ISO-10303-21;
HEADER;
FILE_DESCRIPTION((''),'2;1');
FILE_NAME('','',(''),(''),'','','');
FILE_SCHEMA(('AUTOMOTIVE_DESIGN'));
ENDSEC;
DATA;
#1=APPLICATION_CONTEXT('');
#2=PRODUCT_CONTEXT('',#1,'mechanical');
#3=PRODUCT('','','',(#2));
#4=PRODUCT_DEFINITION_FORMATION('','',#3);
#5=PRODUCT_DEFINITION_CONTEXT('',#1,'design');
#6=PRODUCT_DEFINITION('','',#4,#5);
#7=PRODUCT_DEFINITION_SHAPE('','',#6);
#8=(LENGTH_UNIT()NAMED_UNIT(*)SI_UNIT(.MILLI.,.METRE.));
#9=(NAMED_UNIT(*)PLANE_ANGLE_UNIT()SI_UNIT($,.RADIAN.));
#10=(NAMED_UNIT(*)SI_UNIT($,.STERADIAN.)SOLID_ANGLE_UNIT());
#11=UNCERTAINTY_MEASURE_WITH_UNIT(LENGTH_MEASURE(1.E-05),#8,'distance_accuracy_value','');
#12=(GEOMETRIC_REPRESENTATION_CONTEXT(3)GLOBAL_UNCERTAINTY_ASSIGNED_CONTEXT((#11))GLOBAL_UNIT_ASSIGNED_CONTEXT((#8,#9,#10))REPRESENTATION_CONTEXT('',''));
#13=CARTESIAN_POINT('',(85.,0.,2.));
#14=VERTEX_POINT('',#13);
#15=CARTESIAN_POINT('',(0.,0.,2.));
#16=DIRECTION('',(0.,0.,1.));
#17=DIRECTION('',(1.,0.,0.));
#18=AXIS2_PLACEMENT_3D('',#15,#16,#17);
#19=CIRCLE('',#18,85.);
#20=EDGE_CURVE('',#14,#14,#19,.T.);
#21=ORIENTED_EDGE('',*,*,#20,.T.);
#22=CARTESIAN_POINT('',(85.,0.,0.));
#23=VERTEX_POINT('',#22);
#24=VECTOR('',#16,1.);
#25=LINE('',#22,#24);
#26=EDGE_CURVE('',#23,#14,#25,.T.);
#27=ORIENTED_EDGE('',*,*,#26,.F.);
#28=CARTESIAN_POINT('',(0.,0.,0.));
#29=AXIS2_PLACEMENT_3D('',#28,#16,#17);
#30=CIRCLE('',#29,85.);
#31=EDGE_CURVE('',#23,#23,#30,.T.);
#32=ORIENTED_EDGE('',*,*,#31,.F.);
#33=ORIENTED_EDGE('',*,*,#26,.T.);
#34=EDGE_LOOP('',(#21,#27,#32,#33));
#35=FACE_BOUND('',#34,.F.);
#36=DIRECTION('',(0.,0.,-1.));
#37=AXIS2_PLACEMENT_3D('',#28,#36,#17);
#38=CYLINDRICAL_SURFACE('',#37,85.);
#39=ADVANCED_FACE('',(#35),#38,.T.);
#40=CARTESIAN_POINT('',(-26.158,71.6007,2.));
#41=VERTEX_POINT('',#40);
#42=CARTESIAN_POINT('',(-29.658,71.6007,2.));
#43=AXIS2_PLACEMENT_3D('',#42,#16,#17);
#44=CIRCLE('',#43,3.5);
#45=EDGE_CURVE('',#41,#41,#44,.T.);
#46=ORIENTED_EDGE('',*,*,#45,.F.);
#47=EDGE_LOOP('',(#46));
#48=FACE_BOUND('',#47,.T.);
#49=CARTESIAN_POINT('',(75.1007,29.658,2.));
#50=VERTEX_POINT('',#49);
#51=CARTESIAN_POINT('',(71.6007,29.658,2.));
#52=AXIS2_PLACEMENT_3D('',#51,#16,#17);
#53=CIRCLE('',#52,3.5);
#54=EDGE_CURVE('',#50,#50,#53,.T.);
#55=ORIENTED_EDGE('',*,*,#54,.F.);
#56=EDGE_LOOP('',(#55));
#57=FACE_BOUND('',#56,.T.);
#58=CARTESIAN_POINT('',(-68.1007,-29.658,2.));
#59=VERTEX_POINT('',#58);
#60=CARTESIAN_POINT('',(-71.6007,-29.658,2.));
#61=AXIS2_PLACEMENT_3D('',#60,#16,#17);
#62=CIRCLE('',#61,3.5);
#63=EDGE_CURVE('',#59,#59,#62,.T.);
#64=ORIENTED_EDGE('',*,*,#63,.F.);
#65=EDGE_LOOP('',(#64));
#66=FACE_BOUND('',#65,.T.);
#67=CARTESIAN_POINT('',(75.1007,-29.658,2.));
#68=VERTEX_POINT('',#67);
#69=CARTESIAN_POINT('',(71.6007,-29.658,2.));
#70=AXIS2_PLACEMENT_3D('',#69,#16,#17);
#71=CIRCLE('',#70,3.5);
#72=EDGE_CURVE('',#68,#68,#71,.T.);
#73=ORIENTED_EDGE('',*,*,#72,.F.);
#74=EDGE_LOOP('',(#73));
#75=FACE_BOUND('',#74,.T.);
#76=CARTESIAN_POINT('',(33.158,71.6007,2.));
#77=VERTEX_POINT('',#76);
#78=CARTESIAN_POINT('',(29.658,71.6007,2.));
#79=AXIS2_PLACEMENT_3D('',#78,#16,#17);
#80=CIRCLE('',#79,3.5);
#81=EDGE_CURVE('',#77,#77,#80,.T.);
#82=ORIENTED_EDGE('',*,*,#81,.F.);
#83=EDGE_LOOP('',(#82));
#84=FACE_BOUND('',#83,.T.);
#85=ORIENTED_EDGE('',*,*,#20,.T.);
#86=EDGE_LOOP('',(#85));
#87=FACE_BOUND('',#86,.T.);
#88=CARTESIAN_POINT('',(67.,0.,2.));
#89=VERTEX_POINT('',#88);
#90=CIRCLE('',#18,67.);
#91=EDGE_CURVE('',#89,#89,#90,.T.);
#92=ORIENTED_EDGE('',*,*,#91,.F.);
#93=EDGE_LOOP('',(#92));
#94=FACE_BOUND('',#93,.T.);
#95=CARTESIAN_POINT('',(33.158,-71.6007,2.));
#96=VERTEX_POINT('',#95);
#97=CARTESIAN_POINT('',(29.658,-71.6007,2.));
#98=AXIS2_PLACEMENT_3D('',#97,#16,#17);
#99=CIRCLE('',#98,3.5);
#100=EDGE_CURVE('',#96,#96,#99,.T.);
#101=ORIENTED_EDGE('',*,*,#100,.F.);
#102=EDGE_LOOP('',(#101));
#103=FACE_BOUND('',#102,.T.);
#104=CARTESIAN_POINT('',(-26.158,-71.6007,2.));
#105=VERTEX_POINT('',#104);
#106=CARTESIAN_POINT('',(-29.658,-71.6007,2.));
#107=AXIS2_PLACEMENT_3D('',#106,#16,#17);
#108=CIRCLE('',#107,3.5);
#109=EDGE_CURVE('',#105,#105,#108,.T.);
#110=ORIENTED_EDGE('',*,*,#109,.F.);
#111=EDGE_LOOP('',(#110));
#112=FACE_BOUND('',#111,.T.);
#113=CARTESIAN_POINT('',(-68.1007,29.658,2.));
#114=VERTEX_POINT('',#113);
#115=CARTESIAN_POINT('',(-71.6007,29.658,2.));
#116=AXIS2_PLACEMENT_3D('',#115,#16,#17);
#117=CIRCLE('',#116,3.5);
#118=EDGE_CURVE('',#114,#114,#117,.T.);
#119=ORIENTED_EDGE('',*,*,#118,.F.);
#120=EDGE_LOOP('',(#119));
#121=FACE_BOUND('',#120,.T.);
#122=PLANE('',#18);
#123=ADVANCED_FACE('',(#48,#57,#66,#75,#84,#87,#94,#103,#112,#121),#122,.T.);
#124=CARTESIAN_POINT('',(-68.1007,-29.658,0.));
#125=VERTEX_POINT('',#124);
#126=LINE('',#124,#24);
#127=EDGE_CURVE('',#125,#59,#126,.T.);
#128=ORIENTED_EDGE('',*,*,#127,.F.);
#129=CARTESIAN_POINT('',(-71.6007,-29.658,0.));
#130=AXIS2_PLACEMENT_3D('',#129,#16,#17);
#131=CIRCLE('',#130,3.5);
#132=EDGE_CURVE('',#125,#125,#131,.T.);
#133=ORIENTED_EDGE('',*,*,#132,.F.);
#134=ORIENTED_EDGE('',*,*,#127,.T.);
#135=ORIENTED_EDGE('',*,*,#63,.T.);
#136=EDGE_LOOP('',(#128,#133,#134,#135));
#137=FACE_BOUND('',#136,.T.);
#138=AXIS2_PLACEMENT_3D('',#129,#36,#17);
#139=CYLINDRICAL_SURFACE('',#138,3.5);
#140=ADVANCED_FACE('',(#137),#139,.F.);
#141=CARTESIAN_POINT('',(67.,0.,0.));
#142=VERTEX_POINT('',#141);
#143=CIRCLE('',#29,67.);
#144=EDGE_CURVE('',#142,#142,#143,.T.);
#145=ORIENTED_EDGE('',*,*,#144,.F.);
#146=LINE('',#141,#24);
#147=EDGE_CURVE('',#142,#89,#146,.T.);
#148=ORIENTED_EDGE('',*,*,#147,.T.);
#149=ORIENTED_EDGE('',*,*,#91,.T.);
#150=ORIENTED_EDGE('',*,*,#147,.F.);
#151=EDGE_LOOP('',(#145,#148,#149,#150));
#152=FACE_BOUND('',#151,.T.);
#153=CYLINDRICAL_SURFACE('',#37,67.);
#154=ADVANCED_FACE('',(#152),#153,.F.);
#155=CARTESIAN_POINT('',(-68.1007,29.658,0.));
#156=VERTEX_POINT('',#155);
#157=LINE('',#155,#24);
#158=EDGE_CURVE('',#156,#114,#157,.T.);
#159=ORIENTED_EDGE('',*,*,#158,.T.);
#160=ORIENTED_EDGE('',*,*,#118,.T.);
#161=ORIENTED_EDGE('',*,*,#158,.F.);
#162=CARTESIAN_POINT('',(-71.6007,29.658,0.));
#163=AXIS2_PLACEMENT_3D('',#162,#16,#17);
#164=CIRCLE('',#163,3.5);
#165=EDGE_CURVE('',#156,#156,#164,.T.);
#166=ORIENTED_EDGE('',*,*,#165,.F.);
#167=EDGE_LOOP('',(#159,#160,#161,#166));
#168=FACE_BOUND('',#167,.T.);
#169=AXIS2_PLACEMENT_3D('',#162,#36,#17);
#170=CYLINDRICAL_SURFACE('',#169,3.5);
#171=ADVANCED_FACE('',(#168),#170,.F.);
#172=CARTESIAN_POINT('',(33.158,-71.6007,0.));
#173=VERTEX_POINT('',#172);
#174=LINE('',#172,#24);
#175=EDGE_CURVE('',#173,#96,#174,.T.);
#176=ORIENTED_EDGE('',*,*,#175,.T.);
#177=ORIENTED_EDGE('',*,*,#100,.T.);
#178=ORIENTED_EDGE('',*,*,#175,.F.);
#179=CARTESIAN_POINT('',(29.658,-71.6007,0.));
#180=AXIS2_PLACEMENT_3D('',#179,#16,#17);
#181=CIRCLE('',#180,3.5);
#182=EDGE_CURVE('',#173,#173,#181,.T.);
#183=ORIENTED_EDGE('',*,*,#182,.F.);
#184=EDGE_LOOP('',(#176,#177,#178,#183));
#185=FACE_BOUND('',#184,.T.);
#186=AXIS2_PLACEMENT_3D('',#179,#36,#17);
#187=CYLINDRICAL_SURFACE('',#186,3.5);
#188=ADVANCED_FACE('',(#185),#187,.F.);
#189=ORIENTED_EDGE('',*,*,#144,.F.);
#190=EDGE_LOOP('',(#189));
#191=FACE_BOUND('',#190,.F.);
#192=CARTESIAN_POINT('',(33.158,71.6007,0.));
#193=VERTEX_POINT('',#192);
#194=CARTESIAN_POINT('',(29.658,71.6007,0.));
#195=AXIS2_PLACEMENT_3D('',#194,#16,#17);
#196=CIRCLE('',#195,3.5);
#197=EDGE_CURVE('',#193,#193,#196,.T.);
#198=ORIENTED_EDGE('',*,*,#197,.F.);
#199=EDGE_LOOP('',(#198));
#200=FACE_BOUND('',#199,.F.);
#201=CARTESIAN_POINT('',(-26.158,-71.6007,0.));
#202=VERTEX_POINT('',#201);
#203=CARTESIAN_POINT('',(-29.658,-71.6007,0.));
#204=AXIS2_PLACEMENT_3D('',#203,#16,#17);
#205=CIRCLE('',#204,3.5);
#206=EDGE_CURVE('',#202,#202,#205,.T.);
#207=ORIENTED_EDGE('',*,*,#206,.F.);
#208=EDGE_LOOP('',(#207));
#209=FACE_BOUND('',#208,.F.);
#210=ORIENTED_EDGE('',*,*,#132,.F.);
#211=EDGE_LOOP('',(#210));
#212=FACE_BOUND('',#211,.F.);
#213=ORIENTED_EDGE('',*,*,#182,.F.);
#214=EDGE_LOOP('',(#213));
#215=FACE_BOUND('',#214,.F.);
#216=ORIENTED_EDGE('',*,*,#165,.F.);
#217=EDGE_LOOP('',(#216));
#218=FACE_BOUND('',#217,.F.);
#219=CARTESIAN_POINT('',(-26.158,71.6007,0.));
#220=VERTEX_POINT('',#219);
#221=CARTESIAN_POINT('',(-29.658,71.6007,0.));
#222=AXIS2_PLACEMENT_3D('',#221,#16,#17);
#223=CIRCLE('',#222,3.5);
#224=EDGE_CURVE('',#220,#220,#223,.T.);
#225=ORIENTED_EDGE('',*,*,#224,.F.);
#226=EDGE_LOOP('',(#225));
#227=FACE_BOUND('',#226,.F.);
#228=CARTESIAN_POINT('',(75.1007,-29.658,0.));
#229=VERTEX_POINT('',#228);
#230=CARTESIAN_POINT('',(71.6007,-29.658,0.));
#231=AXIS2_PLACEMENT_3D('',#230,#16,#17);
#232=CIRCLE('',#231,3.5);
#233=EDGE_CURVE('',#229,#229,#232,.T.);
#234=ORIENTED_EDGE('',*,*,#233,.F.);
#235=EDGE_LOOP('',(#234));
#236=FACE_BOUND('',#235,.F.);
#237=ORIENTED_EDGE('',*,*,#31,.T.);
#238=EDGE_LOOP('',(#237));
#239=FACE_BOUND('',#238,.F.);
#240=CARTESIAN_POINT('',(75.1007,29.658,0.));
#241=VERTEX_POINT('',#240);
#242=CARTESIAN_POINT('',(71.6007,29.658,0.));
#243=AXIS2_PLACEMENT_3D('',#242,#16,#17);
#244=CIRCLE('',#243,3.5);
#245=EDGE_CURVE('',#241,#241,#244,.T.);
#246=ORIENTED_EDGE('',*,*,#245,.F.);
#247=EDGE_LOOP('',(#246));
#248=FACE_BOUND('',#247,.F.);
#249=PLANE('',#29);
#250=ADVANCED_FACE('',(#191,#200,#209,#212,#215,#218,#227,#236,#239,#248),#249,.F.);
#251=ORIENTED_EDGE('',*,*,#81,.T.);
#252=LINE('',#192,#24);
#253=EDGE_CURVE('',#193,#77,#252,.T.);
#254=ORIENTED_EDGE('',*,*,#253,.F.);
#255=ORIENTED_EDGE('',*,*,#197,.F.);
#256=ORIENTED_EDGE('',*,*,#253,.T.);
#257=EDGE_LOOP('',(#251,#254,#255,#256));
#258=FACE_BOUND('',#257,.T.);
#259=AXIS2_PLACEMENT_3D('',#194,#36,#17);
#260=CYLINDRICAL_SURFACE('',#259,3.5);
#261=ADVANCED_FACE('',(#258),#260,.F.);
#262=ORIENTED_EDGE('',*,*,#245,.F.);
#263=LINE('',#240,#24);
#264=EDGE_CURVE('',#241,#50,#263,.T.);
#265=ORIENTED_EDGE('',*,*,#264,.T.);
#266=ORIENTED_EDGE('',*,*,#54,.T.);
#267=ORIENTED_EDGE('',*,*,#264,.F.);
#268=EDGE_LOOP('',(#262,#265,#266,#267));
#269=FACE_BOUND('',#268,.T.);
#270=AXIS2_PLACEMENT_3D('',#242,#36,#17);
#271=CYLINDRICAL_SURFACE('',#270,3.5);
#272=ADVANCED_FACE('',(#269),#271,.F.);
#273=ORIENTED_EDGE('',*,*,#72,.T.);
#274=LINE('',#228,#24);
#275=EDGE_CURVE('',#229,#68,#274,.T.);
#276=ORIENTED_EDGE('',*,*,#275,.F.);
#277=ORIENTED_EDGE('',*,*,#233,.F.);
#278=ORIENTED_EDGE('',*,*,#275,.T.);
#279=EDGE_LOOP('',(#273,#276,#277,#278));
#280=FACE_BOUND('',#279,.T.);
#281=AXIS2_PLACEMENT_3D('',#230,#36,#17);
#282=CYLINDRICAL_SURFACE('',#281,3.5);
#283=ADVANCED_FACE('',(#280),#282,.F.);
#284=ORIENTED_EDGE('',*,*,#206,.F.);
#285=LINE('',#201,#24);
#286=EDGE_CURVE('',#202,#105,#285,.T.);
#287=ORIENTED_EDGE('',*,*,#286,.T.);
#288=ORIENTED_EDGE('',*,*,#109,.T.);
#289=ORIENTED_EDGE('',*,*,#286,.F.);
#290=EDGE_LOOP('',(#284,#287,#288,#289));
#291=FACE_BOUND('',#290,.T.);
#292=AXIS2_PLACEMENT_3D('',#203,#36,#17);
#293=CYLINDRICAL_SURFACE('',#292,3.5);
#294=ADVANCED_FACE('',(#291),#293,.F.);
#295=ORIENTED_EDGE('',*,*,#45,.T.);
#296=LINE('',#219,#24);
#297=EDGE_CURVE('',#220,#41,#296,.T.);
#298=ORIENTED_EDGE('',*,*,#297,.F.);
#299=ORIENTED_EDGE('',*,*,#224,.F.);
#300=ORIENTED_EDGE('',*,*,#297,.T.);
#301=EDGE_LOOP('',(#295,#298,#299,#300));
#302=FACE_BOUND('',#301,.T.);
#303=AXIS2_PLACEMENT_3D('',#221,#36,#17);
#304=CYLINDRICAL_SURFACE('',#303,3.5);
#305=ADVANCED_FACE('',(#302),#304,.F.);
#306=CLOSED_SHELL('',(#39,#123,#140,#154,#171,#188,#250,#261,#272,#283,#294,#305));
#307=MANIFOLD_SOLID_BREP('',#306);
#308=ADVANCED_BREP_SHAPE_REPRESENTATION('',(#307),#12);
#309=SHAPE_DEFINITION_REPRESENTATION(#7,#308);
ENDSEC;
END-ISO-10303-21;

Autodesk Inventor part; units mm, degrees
ref_plane "YZ Plane" through (0, 0, 0) normal (1, 0, 0) x (0, 1, 0)
ref_plane "XZ Plane" through (0, 0, 0) normal (0, 1, 0) x (-1, 0, 0)
ref_plane "XY Plane" through (0, 0, 0) normal (0, 0, 1) x (1, 0, 0)
sketch "Sketch1" plane through (0, 0, 0) normal (0, 0, 1) x (1, 0, 0)
  circle A0 centre (0, 0) radius 67
  circle A1 centre (0, 0) radius 85
  line L0 (0, 0) -> (0, 67) construction
  line L1 (0, 0) -> (-85, 0) construction
  circle A2 centre (29.658, 71.6007) radius 3.5
  line L2 (29.658, 71.6007) -> (0, 0) construction
  circle A3 centre (0, 0) radius 77.5 construction
  circle A4 centre (-29.658, 71.6007) radius 3.5
  circle A5 centre (-71.6007, 29.658) radius 3.5
  circle A6 centre (-71.6007, -29.658) radius 3.5
  circle A7 centre (-29.658, -71.6007) radius 3.5
  circle A8 centre (29.658, -71.6007) radius 3.5
  circle A9 centre (71.6007, -29.658) radius 3.5
  circle A10 centre (71.6007, 29.658) radius 3.5
  point P0 (0, -85)
  dimension "d32" = 134
  dimension "d97" = 155
  dimension "d31" = 170
  dimension "d95" = 7
  dimension "d96" = 22.5
  dimension "d100" = 360
extrude "Plate4" add sketch "Sketch1" along normal blind 2
sketch "Sketch5" plane through (0, 0, 2) normal (0, 0, 1) x (1, 0, 0)
  line L0 (-1.6, -169) -> (1.6, -169)
  line L1 (1.6, -169) -> (1.6, -209)
  line L2 (1.6, -209) -> (-1.6, -209)
  line L3 (-1.6, -209) -> (-1.6, -169)
  line L4 (-207, -40) -> (-167, -40)
  line L5 (-167, -40) -> (-167, -43.2)
  line L6 (-167, -43.2) -> (-207, -43.2)
  line L7 (-207, -43.2) -> (-207, -40)
  line L8 (0, 0) -> (0, -169)
  line L9 (167, -40) -> (207, -40)
  line L10 (207, -40) -> (207, -43.2)
  line L11 (207, -43.2) -> (167, -43.2)
  line L12 (167, -43.2) -> (167, -40)
  dimension "d74" = 3.2
  dimension "d75" = 40
  dimension "d76" = 40
  dimension "d77" = 40
  dimension "d78" = 167
  dimension "d79" = 169
feature "Mark1" [suppressed]
equation "\"d63\" = Thickness"
equation "\"BendRadius\" = Thickness"
equation "\"BendReliefWidth\" = Thickness"
equation "\"BendReliefDepth\" = 0.5 * Thickness"
equation "\"CornerReliefSize\" = 4 * Thickness"
equation "\"MinimumRemnant\" = 2 * Thickness"
equation "\"TransitionRadius\" = BendRadius"
equation "\"JacobiRadiusSize\" = BendRadius"
equation "\"GapSize\" = Thickness"
equation "\"Thickness\" = 2"
properties part number "DMF 2.1 01 45 Gear ring 5_CPY1"
